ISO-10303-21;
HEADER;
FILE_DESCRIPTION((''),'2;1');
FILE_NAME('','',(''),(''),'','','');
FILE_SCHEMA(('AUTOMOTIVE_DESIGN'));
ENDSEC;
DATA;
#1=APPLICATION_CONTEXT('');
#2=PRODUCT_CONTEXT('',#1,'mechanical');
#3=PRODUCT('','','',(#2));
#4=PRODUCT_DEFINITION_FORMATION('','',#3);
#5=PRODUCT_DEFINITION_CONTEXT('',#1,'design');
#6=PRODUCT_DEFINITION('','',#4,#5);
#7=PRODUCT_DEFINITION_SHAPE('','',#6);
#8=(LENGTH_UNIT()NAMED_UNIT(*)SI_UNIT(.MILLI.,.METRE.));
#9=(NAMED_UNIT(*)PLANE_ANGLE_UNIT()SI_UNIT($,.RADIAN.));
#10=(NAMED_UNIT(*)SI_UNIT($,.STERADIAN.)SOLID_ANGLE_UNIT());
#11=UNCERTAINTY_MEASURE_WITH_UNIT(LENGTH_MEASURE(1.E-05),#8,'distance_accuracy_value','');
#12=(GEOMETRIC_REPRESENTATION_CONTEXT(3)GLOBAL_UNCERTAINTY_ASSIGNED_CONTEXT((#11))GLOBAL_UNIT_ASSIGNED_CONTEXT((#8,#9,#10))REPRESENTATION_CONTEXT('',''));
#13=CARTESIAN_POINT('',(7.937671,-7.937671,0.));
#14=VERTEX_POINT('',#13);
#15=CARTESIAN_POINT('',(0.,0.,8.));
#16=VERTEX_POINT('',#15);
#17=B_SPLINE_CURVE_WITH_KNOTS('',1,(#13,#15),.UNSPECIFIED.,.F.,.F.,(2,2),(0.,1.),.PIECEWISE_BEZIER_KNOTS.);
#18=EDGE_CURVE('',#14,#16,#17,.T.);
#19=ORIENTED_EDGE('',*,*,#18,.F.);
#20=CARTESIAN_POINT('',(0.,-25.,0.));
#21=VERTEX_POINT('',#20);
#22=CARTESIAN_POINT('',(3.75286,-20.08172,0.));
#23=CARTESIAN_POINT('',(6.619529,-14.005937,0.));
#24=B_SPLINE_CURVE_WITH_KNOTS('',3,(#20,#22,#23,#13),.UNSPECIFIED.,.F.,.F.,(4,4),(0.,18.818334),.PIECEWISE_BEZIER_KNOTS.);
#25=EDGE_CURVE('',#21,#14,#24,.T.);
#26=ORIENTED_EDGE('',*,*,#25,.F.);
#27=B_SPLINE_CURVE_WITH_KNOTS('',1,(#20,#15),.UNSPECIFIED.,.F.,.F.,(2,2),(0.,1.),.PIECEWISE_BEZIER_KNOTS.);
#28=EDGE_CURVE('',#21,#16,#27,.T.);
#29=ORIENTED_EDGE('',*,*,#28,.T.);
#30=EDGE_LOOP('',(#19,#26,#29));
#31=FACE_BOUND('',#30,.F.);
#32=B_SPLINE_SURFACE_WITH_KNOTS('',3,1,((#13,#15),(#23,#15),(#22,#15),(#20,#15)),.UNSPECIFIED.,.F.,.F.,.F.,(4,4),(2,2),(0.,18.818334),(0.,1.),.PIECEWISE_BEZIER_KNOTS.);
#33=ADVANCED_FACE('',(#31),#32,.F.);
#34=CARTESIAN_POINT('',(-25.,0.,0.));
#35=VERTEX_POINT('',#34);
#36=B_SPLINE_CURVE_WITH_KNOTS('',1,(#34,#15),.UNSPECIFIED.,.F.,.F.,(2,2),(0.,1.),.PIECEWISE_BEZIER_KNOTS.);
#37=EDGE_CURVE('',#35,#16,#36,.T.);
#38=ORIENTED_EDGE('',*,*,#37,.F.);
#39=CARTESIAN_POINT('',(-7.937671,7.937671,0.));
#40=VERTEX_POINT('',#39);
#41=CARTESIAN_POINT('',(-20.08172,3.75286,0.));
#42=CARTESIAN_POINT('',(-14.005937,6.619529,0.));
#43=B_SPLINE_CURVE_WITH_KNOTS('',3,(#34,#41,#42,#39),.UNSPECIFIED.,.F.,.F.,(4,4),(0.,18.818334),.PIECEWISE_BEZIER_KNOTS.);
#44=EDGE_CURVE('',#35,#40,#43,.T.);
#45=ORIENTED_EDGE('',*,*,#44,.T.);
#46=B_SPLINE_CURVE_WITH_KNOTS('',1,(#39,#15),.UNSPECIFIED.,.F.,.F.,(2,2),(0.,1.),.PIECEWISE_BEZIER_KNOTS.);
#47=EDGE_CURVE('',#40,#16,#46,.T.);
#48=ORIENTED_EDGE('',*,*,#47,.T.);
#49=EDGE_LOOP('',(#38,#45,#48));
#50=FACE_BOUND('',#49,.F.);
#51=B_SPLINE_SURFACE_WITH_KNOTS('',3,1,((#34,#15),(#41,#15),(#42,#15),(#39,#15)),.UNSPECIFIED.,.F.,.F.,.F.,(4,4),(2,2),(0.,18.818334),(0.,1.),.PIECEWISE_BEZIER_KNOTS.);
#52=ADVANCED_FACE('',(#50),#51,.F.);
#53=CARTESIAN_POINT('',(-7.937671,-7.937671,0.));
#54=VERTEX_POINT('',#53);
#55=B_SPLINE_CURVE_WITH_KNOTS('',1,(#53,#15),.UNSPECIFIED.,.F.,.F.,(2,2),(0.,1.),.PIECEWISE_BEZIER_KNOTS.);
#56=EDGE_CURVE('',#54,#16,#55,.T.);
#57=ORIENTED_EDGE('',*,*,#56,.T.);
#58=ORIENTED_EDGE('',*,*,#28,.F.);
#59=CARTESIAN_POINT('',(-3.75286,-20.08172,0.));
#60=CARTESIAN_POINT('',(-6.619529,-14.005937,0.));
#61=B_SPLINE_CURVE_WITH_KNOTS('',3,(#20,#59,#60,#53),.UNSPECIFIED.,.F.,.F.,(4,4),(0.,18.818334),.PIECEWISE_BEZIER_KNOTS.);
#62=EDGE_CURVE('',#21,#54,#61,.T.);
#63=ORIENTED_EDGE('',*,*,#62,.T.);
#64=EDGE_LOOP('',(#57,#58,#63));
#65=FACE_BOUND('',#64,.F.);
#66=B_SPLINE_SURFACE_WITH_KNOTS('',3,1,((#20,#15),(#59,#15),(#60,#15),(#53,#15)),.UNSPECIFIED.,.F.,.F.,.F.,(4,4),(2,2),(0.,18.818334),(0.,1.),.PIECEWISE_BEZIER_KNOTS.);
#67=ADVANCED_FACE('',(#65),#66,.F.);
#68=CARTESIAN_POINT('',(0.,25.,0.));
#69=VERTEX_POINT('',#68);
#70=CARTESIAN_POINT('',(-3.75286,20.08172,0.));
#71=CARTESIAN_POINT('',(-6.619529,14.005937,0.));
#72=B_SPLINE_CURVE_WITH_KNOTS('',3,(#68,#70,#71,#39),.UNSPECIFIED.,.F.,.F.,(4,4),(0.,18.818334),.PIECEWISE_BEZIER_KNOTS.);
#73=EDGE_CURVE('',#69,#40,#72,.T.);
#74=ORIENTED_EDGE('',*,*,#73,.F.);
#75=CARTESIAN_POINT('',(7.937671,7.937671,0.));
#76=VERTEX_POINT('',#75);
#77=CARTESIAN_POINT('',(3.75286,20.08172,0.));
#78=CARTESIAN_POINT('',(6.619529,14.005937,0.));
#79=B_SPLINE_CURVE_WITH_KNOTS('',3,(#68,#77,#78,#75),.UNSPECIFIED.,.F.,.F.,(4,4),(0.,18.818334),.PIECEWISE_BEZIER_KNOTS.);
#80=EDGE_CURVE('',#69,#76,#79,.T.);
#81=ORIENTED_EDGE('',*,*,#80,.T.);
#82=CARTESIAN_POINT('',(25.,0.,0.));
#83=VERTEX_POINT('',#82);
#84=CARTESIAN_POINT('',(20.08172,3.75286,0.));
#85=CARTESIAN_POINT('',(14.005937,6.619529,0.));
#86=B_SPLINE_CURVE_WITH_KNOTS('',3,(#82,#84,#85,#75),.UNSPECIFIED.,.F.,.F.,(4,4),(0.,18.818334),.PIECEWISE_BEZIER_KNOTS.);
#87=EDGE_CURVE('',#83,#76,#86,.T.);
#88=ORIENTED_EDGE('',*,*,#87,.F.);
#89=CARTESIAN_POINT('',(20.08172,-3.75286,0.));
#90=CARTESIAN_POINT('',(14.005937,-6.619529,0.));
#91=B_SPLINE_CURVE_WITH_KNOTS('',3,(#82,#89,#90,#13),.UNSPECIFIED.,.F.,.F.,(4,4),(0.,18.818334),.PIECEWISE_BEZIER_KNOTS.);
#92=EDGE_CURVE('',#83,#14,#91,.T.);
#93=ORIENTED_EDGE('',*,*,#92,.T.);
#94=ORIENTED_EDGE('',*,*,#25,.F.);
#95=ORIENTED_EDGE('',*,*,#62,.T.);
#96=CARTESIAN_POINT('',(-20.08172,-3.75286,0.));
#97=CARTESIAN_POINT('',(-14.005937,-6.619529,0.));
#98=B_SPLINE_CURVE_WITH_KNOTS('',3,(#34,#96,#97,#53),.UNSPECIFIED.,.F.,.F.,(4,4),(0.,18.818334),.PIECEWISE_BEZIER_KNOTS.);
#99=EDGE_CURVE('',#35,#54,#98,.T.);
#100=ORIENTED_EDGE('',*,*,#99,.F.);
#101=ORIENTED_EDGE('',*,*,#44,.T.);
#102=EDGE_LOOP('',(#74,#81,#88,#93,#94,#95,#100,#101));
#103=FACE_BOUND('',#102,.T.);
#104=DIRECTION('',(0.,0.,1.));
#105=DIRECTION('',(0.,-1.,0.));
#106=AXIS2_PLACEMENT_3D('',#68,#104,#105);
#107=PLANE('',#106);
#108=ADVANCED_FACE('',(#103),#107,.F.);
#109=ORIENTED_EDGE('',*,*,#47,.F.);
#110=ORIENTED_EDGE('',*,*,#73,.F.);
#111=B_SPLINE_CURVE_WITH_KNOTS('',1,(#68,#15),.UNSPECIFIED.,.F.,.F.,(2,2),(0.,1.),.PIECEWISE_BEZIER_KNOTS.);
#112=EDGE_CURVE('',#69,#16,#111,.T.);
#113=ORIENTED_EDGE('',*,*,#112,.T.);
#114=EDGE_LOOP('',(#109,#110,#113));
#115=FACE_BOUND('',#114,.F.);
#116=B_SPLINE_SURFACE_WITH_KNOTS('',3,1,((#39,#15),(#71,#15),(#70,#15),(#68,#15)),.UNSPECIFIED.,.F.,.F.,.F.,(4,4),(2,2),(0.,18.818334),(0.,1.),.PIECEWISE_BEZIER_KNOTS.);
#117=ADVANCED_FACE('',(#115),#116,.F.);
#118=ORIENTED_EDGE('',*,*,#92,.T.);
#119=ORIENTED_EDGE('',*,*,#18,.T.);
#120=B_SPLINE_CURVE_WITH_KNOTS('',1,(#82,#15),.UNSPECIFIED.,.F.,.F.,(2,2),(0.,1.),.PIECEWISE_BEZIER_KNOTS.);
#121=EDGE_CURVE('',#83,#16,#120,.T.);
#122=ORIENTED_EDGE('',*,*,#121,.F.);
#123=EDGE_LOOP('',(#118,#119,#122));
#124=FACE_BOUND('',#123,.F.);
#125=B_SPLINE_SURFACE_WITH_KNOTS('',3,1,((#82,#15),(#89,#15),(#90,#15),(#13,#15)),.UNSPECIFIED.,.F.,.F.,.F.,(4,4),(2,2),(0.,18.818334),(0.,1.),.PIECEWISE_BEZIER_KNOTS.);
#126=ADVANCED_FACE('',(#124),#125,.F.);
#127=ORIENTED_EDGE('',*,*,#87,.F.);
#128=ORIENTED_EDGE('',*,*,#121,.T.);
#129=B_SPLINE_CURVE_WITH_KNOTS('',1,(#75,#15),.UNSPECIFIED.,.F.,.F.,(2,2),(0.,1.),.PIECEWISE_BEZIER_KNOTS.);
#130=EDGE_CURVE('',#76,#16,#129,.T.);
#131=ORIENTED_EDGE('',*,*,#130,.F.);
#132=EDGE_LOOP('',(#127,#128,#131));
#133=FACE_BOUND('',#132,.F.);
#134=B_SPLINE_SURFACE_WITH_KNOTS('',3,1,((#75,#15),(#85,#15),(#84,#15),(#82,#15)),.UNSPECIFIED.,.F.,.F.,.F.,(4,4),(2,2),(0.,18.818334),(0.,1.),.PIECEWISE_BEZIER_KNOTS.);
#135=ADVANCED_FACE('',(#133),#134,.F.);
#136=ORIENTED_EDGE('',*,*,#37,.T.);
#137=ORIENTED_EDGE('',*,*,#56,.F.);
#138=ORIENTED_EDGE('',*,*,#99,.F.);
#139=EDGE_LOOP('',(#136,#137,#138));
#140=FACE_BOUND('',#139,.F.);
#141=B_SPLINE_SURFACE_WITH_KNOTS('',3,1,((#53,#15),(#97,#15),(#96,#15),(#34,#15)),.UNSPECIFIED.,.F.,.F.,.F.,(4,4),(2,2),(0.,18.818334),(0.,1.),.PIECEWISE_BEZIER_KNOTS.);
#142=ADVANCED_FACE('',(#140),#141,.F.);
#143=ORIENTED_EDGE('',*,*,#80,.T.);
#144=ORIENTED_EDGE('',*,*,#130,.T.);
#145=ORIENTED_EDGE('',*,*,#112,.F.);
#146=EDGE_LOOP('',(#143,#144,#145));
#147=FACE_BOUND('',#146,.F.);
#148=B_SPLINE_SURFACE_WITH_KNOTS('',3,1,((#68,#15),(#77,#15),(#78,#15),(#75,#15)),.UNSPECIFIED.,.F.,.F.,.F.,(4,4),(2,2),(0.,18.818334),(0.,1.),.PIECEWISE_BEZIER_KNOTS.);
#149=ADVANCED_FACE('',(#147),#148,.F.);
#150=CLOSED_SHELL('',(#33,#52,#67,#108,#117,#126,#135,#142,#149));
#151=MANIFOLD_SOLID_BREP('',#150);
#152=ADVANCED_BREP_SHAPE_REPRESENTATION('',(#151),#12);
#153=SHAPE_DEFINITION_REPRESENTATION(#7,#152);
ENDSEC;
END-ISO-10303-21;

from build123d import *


with BuildPart() as f4:
    # F1 (on Top) → F4 section 0
    with BuildSketch(Plane.XY, mode=Mode.PRIVATE) as f4_s0:
        with BuildLine():
            add(Edge.make_bspline(
                [(0, 25), (3.75286, 20.08172), (6.619529, 14.005937), (7.937671, 7.937671)],
                knots=[0, 0, 0, 0, 18.818334, 18.818334, 18.818334, 18.818334], degree=3))
            add(Edge.make_bspline(
                [(0, 25), (-3.75286, 20.08172), (-6.619529, 14.005937), (-7.937671, 7.937671)],
                knots=[0, 0, 0, 0, 18.818334, 18.818334, 18.818334, 18.818334], degree=3))
            add(Edge.make_bspline(
                [(-25, 0), (-20.08172, 3.75286), (-14.005937, 6.619529), (-7.937671, 7.937671)],
                knots=[0, 0, 0, 0, 18.818334, 18.818334, 18.818334, 18.818334], degree=3))
            add(Edge.make_bspline(
                [(-25, 0), (-20.08172, -3.75286), (-14.005937, -6.619529), (-7.937671, -7.937671)],
                knots=[0, 0, 0, 0, 18.818334, 18.818334, 18.818334, 18.818334], degree=3))
            add(Edge.make_bspline(
                [(0, -25), (-3.75286, -20.08172), (-6.619529, -14.005937), (-7.937671, -7.937671)],
                knots=[0, 0, 0, 0, 18.818334, 18.818334, 18.818334, 18.818334], degree=3))
            add(Edge.make_bspline(
                [(0, -25), (3.75286, -20.08172), (6.619529, -14.005937), (7.937671, -7.937671)],
                knots=[0, 0, 0, 0, 18.818334, 18.818334, 18.818334, 18.818334], degree=3))
            add(Edge.make_bspline(
                [(25, 0), (20.08172, -3.75286), (14.005937, -6.619529), (7.937671, -7.937671)],
                knots=[0, 0, 0, 0, 18.818334, 18.818334, 18.818334, 18.818334], degree=3))
            add(Edge.make_bspline(
                [(25, 0), (20.08172, 3.75286), (14.005937, 6.619529), (7.937671, 7.937671)],
                knots=[0, 0, 0, 0, 18.818334, 18.818334, 18.818334, 18.818334], degree=3))
        make_face()
    loft([f4_s0.sketch, Vertex(0, 0, 8)])


solid = f4.part
